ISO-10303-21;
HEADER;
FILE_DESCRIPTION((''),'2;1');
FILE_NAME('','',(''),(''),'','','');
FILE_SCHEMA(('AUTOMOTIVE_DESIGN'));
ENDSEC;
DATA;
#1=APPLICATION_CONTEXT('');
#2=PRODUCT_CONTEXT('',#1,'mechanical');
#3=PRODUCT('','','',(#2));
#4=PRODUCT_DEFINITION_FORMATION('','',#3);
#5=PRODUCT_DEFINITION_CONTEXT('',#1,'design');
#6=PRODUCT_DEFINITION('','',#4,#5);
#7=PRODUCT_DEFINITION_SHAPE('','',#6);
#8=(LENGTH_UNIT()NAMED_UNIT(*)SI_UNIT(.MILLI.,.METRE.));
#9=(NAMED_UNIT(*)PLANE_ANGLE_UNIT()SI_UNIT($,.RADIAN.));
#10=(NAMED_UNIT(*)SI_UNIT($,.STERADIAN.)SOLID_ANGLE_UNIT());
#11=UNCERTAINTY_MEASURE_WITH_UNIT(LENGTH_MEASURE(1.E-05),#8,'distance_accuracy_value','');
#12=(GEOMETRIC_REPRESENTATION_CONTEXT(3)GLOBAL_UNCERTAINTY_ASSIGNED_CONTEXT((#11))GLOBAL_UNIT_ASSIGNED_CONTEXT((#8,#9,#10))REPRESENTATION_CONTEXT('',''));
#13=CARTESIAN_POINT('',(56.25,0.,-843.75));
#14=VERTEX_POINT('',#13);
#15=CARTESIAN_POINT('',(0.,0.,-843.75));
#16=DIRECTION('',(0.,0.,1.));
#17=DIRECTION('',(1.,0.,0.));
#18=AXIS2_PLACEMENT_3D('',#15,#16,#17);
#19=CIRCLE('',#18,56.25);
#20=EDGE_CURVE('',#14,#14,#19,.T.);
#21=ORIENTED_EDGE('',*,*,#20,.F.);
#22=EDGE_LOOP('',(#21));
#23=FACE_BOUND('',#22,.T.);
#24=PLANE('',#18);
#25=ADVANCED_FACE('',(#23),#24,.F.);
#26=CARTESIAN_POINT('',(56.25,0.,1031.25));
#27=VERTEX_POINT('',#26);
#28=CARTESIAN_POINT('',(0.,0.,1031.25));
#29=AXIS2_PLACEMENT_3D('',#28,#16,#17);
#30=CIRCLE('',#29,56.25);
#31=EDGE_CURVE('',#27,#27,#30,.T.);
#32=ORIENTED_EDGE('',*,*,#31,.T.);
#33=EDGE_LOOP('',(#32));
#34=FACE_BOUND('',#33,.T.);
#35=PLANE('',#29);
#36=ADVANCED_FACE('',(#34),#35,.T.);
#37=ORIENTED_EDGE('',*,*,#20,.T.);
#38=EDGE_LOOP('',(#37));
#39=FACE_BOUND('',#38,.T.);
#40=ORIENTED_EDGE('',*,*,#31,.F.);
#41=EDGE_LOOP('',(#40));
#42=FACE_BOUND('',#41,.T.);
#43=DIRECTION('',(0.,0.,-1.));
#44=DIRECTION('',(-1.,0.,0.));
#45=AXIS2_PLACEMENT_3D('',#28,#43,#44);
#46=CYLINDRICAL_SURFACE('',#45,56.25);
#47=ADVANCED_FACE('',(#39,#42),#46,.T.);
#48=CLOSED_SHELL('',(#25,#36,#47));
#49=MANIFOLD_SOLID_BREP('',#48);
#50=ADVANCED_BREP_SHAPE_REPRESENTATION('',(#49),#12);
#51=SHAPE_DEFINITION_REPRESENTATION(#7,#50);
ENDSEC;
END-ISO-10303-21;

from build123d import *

# Parameters (mm, degrees)
SKETCH1_R           = 7.5
BOSS_EXTRUDE1_DEPTH = 250
SCALE1_SCALE        = 10
SCALE2_SCALE        = 0.75


with BuildPart() as part:
    # Sketch1 → Boss-Extrude1 (new body)
    with BuildSketch(Plane.XY):
        Circle(SKETCH1_R)
    extrude(amount=BOSS_EXTRUDE1_DEPTH)


with BuildPart() as part_1:
    # Scale1: scaled about (0, 0, 125)
    add(part.part.scale(SCALE1_SCALE).moved(Location((0, 0, -1125))))


with BuildPart() as part_2:
    # Scale2: scaled about (0, 0, 0)
    add(part_1.part.scale(SCALE2_SCALE))


solid = part_2.part
